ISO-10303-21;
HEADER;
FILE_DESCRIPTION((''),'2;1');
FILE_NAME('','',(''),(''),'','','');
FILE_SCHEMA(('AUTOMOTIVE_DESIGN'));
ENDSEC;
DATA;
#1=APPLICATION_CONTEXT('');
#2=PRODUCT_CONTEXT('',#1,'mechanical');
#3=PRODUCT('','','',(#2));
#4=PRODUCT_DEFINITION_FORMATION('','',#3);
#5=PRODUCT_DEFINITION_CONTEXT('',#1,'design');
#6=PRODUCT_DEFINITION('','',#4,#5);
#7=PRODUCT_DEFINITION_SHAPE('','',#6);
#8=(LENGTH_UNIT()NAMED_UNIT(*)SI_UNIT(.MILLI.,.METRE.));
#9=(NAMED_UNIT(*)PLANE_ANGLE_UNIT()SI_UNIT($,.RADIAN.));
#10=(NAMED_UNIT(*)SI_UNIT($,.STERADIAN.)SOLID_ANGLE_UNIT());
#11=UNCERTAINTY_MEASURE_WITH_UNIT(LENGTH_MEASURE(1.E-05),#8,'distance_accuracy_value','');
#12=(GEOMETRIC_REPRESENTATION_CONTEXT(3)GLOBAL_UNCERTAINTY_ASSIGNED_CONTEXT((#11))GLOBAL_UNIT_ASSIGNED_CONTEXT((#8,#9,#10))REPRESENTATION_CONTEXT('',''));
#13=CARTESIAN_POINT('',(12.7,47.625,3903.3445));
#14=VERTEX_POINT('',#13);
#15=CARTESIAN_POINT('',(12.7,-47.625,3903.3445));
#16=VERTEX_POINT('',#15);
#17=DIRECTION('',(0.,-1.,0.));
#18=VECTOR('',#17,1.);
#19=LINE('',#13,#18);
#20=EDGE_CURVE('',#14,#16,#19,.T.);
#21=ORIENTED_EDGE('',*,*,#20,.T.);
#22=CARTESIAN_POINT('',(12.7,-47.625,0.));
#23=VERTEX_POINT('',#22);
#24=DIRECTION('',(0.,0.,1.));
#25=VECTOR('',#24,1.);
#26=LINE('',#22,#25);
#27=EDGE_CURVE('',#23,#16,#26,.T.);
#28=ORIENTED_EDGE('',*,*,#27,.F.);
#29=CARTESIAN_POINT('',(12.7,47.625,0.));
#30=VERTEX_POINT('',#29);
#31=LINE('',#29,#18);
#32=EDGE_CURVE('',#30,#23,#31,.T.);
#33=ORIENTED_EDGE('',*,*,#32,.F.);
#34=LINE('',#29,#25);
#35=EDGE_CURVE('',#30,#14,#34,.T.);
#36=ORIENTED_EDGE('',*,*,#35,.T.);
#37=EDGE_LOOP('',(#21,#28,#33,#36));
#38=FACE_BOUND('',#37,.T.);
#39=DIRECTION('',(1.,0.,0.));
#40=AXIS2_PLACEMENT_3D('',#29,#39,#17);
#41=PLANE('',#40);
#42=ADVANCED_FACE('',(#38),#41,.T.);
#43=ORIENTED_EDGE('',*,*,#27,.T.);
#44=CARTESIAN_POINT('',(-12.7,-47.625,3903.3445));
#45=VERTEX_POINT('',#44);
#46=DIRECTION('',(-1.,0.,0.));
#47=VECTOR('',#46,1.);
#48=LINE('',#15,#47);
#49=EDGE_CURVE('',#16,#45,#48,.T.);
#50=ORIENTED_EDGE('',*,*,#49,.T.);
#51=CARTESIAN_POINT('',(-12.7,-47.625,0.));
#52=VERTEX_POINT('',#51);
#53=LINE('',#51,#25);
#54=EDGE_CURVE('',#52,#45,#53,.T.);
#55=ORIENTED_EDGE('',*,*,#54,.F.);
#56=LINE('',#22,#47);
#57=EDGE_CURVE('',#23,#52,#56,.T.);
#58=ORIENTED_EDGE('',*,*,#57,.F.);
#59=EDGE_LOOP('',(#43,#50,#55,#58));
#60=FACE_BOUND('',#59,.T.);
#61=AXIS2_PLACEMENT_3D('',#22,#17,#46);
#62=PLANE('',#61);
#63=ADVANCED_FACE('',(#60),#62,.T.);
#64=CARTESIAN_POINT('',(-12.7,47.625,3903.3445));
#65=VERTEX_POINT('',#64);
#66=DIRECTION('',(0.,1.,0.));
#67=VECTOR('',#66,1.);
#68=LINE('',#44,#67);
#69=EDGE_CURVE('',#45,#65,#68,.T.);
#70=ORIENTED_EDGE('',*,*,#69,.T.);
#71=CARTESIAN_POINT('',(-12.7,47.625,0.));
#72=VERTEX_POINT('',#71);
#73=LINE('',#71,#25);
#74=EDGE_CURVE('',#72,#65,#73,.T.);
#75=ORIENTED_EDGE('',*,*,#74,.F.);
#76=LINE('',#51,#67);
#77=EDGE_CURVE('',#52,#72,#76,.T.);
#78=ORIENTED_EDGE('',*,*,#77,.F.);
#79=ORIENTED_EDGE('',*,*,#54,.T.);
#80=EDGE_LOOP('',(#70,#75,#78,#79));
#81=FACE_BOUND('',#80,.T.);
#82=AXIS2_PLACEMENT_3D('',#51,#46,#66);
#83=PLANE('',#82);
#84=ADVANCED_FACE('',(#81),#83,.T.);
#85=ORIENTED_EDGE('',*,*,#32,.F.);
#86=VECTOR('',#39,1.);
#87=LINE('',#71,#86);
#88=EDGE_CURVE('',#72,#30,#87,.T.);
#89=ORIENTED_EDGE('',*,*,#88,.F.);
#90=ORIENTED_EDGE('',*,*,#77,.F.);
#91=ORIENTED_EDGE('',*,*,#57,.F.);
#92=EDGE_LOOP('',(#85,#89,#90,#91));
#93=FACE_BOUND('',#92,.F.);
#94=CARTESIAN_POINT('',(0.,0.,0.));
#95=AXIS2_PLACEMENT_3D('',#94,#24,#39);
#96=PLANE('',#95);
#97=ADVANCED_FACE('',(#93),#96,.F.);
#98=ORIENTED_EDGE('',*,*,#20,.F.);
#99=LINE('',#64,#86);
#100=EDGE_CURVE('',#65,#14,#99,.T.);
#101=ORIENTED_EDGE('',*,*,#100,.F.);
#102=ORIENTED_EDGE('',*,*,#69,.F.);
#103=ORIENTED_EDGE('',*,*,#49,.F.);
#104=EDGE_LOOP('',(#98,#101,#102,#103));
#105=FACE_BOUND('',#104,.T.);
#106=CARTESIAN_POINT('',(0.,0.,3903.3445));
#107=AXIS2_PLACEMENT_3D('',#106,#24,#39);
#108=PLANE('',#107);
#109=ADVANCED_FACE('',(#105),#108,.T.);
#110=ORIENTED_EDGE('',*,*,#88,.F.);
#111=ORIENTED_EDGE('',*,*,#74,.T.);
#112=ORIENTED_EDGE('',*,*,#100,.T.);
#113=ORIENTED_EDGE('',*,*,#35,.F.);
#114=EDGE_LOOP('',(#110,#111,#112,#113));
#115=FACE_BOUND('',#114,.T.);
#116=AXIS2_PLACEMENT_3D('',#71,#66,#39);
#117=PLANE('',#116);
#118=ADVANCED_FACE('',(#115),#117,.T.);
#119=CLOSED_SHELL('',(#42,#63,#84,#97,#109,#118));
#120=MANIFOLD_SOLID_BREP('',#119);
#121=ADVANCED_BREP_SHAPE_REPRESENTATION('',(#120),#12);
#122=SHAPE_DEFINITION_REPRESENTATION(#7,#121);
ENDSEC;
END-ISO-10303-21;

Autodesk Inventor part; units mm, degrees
ref_plane "YZ Plane" through (0, 0, 0) normal (1, 0, 0) x (0, 1, 0)
ref_plane "Start Plane" through (0, 0, 0) normal (0, 0, 1) x (1, 0, 0)
ref_plane "End Plane" through (0, 0, 3903.3445) normal (0, 0, 1) x (1, 0, 0)
sketch "Sketch" plane through (0, 0, 0) normal (0, 0, 1) x (1, 0, 0)
  line L0 (12.7, -47.625) -> (-12.7, -47.625)
  line L1 (-12.7, -47.625) -> (-12.7, 47.625)
  line L2 (-12.7, 47.625) -> (12.7, 47.625)
  line L3 (12.7, 47.625) -> (12.7, -47.625)
  line L4 (-6, 0) -> (8, 0) construction
  line L5 (0, -30) -> (0, 40) construction
  line L6 (0, 66.675) -> (0, -66.675) construction
  line L7 (-17.78, 0) -> (17.78, 0) construction
  dimension "d0" = 95.25
  dimension "d1" = 25.4
  dimension "d4" = 12.7
  dimension "d5" = 47.625
extrude "Body" add sketch "Sketch" along normal up to surface (3903.3445 mm away) from surface at 0
sketch "Sketch3" plane through (0, 0, 0) normal (0, 0, 1) x (1, 0, 0)
  line L0 (0, 0) -> (10, 0)
ref_plane "Work Plane3" through (0, 0, 0) normal (0, -1, 0) x (1, 0, 0)
sketch "Sketch4" plane through (0, 0, 0) normal (0, -1, 0) x (1, 0, 0)
  line L0 (-2, 0) -> (12, 0) projected
  line L1 (-2, 3903.3445) -> (12, 3903.3445) projected
  dimension "d9" = 3903.3445
equation "\"d0\" = G_W"
equation "\"d1\" = G_H"
equation "\"d4\" = 0.5 * d1"
equation "\"d5\" = 0.5 * d0"
equation "\"d2\" = G_L"
equation "\"G_W\" = 95.25"
equation "\"G_H\" = 25.4"
equation "\"G_L\" = d9"
equation "\"G_OFFSET_START\" = 0"
equation "\"G_OFFSET_END\" = 0"
equation "\"d7\" = G_OFFSET_END + B_L"
equation "\"B_L\" = 3903.34454"
properties part number "AISC - 3 3/4x1 - 153.675" material "Steel, Mild"
